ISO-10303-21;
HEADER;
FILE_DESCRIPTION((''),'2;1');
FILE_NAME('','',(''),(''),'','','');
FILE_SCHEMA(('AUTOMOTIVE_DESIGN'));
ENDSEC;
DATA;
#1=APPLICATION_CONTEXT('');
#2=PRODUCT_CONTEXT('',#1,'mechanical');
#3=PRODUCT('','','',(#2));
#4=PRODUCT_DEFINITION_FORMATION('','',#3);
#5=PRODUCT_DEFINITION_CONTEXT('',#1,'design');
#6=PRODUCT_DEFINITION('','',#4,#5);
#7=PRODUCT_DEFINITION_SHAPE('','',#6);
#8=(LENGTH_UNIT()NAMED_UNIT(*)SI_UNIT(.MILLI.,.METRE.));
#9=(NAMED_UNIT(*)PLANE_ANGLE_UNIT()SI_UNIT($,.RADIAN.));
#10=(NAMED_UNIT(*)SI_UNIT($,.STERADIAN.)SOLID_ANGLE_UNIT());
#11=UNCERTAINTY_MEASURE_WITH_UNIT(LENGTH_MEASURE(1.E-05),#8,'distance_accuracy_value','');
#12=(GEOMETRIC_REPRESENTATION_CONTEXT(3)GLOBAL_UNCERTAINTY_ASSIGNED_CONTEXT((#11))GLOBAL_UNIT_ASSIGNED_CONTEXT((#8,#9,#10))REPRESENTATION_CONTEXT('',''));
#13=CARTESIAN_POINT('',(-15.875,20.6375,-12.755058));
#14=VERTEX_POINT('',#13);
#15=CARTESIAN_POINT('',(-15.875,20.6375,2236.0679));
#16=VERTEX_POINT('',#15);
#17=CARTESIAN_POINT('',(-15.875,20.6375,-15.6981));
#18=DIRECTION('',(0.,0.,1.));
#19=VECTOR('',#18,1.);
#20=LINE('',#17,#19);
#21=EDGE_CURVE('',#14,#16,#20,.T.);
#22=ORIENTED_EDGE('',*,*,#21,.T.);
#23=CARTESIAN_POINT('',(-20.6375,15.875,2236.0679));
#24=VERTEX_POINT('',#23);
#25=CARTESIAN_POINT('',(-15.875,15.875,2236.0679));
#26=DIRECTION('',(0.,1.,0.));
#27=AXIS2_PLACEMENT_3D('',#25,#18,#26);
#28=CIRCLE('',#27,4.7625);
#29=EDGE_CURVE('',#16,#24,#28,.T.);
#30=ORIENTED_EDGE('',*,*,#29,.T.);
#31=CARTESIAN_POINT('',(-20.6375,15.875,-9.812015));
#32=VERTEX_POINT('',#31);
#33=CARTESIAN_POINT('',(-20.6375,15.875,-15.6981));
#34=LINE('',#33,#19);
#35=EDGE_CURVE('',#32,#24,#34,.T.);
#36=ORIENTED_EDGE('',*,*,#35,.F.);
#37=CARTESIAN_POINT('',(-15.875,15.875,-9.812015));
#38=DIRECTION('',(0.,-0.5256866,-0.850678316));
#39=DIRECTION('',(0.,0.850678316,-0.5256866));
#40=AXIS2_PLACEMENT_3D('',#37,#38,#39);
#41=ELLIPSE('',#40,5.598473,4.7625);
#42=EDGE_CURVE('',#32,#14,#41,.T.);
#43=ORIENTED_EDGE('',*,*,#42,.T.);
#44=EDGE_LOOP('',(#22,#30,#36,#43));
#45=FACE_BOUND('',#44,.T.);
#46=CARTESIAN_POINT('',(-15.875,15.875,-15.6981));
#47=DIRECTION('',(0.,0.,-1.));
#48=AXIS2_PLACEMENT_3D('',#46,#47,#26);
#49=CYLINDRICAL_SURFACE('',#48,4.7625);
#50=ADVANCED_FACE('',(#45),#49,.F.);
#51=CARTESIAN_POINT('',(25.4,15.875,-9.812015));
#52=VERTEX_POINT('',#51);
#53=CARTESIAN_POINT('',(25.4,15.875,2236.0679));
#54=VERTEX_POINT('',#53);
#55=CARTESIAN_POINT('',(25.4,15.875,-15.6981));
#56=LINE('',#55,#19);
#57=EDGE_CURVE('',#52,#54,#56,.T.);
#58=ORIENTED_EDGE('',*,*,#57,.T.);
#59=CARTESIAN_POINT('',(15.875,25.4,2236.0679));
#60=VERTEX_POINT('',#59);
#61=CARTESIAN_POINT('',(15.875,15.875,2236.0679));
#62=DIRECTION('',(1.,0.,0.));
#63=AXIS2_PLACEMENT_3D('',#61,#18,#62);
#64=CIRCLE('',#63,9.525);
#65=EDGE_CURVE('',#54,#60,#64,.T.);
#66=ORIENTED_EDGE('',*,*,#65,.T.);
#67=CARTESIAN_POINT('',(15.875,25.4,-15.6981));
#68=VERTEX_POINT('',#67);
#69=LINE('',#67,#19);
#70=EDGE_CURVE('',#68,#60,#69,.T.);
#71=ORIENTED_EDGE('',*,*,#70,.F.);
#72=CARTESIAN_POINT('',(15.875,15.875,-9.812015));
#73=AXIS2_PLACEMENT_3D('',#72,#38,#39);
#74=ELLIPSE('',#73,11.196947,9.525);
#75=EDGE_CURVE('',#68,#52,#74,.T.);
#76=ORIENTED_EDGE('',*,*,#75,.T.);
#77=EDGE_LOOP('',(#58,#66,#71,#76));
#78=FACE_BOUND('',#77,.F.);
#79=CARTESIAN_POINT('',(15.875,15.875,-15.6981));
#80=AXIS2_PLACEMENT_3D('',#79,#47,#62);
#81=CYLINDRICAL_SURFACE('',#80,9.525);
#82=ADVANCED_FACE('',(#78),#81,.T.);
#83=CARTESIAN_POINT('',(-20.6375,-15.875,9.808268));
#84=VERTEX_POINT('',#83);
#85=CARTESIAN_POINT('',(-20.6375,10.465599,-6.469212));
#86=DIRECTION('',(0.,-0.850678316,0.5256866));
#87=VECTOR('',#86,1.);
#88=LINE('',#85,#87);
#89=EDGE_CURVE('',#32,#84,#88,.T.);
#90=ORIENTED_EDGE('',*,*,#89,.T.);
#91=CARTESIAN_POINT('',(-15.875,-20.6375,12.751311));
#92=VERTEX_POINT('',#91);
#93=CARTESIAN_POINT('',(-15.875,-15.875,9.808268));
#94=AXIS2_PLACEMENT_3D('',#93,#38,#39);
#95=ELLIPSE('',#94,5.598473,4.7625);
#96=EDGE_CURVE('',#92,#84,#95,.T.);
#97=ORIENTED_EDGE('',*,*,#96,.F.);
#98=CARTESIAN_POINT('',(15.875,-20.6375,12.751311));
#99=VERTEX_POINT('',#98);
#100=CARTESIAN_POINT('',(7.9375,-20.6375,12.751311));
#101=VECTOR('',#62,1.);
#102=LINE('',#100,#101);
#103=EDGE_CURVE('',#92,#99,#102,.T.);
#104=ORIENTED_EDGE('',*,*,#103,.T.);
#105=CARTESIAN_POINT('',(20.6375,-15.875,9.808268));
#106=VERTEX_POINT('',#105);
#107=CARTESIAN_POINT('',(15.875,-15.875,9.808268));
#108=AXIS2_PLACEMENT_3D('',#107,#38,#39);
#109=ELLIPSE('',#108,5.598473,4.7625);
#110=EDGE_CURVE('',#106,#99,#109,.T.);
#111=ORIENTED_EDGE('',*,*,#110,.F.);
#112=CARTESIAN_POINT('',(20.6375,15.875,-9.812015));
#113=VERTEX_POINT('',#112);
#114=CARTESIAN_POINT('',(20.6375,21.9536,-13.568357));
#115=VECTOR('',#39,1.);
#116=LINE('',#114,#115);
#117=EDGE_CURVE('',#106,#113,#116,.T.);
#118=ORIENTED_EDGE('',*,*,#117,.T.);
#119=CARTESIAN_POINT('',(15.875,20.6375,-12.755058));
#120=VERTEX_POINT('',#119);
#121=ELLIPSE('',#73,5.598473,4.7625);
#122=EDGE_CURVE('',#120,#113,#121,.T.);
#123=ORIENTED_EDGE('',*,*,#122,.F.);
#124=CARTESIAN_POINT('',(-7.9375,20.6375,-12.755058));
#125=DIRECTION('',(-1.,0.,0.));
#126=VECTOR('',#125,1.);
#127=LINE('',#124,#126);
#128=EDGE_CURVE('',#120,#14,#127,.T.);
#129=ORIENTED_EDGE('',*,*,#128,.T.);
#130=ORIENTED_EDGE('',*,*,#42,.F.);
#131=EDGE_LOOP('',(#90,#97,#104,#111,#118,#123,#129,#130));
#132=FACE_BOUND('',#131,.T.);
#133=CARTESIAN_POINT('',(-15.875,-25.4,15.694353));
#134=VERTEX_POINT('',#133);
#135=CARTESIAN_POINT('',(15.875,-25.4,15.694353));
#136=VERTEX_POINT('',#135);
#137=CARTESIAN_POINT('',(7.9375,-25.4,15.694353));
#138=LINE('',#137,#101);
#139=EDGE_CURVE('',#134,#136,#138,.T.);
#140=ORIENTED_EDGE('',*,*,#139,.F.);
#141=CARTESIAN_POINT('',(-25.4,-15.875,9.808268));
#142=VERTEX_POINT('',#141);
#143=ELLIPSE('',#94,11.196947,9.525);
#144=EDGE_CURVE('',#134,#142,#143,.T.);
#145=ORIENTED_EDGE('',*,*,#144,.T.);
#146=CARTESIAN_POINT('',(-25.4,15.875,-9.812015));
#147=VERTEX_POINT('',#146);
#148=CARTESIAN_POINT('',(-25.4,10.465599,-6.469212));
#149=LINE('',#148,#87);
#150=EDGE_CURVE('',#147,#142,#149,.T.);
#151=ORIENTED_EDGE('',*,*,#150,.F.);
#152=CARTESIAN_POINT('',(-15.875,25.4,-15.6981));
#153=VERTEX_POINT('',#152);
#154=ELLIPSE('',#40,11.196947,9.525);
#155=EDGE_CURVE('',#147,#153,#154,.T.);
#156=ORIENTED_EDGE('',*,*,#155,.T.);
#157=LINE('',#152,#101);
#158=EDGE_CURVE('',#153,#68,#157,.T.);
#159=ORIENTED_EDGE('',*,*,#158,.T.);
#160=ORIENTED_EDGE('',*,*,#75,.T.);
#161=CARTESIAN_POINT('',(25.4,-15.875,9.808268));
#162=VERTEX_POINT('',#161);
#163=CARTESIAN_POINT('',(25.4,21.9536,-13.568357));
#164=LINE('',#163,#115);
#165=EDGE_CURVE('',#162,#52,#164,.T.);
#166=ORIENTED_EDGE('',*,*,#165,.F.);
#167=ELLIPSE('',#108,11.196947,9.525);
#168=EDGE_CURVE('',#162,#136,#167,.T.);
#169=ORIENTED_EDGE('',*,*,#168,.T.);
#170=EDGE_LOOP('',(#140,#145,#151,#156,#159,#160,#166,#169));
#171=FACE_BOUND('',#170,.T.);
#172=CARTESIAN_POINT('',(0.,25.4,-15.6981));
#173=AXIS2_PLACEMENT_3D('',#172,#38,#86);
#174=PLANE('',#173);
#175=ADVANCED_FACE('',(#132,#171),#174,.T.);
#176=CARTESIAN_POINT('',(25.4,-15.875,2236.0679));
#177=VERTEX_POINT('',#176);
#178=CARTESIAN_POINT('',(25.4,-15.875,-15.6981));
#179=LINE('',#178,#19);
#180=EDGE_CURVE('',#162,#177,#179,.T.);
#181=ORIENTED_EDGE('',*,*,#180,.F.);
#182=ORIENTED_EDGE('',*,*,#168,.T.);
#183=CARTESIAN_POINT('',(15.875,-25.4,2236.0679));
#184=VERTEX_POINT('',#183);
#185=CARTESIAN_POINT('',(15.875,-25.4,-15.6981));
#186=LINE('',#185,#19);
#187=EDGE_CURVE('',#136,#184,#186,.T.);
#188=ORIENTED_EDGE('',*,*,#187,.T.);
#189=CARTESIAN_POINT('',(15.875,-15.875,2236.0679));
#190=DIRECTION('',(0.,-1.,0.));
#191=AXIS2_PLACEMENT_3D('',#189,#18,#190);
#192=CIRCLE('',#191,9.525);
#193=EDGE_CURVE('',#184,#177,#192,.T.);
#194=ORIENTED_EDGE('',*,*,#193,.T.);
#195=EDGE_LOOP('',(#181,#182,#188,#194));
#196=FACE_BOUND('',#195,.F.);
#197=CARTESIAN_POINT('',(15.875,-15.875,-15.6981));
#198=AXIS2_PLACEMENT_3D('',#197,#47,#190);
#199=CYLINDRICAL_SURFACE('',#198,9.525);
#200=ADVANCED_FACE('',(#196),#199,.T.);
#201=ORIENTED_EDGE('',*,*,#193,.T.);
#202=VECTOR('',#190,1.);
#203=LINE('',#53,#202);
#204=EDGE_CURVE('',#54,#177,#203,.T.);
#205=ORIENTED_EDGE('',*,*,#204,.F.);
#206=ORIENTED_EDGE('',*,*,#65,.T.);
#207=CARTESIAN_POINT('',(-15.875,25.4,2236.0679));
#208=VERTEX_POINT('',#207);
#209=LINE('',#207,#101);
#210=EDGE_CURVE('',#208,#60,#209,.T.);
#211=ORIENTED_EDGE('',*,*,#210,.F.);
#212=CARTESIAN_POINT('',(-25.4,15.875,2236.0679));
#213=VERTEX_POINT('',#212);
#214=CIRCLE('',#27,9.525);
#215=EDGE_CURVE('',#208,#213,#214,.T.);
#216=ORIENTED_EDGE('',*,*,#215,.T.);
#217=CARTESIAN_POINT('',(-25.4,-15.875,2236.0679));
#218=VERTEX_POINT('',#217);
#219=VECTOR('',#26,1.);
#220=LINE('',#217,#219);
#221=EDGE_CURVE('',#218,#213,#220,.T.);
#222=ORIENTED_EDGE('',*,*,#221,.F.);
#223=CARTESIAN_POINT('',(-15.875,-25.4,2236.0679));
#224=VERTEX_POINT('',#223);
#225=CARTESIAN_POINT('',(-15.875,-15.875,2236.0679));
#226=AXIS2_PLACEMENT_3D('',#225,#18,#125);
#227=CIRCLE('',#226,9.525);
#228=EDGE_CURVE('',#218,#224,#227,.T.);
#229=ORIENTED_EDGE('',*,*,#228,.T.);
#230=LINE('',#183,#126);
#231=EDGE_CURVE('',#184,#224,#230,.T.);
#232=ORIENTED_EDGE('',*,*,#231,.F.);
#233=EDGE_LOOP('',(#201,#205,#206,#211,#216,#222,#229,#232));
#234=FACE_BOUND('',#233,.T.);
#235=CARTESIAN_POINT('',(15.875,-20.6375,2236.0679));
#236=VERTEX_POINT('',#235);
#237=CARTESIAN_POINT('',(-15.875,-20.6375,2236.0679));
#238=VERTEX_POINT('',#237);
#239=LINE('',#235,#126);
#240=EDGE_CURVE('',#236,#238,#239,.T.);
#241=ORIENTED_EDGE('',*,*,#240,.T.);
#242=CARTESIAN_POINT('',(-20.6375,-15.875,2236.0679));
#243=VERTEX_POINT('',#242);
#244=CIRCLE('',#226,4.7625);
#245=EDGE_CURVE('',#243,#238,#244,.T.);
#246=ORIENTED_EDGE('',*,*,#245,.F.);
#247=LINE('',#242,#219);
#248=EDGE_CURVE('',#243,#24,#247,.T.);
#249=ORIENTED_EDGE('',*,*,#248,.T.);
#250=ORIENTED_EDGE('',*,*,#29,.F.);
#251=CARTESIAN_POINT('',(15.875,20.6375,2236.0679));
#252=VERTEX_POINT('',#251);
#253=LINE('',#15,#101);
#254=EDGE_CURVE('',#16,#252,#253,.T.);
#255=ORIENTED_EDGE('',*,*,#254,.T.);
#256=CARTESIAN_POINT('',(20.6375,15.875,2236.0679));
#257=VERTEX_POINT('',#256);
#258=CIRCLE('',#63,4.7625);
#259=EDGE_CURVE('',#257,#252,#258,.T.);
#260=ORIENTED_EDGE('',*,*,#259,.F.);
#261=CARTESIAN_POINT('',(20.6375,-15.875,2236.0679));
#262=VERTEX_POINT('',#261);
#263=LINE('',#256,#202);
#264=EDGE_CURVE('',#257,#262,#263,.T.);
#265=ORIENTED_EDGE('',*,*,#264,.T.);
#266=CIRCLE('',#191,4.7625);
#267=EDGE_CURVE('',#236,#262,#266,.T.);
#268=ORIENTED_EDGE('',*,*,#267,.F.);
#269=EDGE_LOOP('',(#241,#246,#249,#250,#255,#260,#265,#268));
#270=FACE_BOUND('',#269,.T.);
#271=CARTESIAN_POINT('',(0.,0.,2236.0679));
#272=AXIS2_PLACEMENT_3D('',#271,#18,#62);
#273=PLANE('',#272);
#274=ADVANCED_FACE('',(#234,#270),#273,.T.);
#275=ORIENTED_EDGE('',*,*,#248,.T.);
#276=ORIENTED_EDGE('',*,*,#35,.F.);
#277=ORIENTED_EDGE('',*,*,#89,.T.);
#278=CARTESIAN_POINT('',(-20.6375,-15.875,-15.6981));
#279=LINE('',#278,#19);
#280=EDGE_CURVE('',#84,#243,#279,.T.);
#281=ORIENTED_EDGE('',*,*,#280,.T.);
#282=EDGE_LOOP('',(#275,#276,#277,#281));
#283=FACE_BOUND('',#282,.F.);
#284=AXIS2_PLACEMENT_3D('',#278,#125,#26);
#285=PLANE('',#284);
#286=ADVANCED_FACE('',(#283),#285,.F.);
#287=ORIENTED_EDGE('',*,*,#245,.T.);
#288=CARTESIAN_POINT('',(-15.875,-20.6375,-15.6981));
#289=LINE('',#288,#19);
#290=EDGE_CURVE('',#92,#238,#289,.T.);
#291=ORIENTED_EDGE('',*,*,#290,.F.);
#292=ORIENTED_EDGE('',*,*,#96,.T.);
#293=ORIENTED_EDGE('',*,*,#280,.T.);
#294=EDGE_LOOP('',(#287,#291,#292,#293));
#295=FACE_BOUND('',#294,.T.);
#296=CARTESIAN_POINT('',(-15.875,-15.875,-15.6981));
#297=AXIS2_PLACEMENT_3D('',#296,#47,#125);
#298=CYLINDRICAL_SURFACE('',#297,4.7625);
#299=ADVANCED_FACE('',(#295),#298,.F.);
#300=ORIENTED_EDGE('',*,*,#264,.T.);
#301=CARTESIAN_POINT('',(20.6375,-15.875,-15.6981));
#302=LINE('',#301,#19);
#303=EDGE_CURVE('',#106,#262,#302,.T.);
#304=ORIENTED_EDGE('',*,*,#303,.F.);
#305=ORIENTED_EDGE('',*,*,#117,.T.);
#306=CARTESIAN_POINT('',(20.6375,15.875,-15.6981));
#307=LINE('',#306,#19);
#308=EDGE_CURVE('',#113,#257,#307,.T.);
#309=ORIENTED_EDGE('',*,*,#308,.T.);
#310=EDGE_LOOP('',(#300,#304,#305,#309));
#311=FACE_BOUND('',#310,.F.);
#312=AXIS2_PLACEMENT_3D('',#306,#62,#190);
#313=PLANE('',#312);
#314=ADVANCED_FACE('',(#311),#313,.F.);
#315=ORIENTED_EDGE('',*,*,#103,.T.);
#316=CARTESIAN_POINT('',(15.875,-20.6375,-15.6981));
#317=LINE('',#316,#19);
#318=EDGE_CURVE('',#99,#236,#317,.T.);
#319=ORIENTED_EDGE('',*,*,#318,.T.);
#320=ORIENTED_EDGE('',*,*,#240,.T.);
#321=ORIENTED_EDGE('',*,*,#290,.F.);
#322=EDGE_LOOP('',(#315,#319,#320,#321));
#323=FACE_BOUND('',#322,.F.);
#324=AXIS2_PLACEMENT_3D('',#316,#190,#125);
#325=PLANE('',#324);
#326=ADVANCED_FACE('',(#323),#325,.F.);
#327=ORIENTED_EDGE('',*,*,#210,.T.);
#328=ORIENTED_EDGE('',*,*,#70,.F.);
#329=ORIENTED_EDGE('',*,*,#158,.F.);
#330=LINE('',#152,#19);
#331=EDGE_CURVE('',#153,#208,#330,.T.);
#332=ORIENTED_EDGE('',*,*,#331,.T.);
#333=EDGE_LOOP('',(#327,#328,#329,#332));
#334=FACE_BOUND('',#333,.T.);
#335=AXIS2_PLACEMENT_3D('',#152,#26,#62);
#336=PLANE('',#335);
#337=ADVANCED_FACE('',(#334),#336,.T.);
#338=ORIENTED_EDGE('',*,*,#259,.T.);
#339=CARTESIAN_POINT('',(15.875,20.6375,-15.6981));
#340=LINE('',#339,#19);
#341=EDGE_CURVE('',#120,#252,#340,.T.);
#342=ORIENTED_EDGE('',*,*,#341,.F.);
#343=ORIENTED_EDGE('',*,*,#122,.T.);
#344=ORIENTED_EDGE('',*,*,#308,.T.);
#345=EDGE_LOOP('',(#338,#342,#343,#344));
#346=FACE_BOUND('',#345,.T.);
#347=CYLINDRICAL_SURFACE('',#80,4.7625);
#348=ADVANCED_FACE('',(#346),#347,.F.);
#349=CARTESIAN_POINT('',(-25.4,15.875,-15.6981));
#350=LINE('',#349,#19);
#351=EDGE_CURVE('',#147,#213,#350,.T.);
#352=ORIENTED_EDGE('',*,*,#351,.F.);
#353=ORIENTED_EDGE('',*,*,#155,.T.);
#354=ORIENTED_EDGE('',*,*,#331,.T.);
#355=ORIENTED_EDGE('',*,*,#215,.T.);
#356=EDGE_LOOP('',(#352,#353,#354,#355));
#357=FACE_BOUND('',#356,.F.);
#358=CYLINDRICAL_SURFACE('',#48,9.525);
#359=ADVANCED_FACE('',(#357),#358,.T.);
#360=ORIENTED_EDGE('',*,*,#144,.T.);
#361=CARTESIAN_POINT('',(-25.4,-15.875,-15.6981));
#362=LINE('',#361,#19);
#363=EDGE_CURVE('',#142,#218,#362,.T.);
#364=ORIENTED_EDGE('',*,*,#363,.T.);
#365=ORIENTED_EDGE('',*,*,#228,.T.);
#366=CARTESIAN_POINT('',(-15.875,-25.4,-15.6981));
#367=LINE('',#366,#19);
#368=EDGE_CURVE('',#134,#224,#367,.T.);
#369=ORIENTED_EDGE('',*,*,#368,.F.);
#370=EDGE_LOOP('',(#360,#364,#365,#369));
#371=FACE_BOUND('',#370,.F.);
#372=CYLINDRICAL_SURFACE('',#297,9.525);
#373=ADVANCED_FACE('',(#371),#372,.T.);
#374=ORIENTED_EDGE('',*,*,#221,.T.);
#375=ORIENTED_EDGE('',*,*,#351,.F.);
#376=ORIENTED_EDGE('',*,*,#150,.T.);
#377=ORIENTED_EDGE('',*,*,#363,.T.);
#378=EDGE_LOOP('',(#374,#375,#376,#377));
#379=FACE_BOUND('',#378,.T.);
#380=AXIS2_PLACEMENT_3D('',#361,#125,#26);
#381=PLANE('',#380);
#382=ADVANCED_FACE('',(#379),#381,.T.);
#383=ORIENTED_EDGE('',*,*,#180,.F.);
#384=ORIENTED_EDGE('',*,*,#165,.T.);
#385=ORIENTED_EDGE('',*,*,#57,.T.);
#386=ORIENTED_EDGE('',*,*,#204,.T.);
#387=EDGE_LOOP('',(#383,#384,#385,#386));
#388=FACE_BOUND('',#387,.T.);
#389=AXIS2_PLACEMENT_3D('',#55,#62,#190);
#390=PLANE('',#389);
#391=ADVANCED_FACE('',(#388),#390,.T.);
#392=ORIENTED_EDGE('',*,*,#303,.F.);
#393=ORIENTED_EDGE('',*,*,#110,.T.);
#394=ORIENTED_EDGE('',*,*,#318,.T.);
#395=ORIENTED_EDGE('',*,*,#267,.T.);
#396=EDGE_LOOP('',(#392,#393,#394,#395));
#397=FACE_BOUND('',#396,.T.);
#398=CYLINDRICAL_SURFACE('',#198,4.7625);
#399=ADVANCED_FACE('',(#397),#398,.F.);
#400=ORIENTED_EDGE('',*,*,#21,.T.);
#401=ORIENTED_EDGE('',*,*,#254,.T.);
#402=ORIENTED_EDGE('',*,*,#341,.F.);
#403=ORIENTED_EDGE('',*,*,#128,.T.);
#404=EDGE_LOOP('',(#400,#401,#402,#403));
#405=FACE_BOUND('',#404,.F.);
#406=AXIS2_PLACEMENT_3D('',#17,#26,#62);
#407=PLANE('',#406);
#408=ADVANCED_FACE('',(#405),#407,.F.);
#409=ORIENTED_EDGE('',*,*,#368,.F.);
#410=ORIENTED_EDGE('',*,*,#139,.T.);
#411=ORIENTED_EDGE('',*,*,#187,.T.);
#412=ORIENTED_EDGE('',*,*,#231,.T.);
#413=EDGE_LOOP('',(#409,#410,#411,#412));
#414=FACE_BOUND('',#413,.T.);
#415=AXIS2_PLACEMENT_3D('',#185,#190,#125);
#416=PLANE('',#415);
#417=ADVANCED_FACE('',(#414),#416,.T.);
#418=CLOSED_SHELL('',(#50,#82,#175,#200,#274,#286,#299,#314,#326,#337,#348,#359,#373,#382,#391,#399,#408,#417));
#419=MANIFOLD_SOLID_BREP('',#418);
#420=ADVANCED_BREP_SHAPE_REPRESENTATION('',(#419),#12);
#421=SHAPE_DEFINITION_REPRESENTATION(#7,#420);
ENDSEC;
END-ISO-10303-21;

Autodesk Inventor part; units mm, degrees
ref_plane "Plano inicial" through (0, 0, -15.6981) normal (0, 0, 1) x (1, 0, 0)
ref_plane "Plano final" through (0, 0, 2236.068) normal (0, 0, 1) x (1, 0, 0)
sketch "Esboço" plane through (0, 0, 0) normal (0, 0, 1) x (1, 0, 0)
  line L0 (-25.4, -15.875) -> (-25.4, 15.875)
  line L1 (-15.875, 25.4) -> (15.875, 25.4)
  line L2 (25.4, 15.875) -> (25.4, -15.875)
  line L3 (15.875, -25.4) -> (-15.875, -25.4)
  arc A0 (-25.4, -15.875) -> (-15.875, -25.4) centre (-15.875, -15.875) ccw
  arc A1 (-15.875, 25.4) -> (-25.4, 15.875) centre (-15.875, 15.875) ccw
  arc A2 (25.4, 15.875) -> (15.875, 25.4) centre (15.875, 15.875) ccw
  arc A3 (15.875, -25.4) -> (25.4, -15.875) centre (15.875, -15.875) ccw
  arc A4 (-15.875, 20.6375) -> (-20.6375, 15.875) centre (-15.875, 15.875) ccw
  line L4 (-15.875, 20.6375) -> (15.875, 20.6375)
  arc A5 (20.6375, 15.875) -> (15.875, 20.6375) centre (15.875, 15.875) ccw
  line L5 (20.6375, 15.875) -> (20.6375, -15.875)
  arc A6 (15.875, -20.6375) -> (20.6375, -15.875) centre (15.875, -15.875) ccw
  line L6 (15.875, -20.6375) -> (-15.875, -20.6375)
  arc A7 (-20.6375, -15.875) -> (-15.875, -20.6375) centre (-15.875, -15.875) ccw
  line L7 (-20.6375, -15.875) -> (-20.6375, 15.875)
  line L8 (0, 38.3218) -> (0, -38.3218) construction
  line L9 (-38.3218, 0) -> (38.3218, 0) construction
  dimension "d10" = 50.8
  dimension "d11" = 50.8
  dimension "d12" = 4.7625
  dimension "d15" = 25.4
  dimension "d16" = 25.4
  dimension "d17" = 9.525
extrude "Corpo" add sketch "Esboço" along normal up to surface (2251.766 mm away) from surface at -15.6981
sketch "Sketch3" plane through (0, 0, 0) normal (0, 0, 1) x (1, 0, 0)
  line L0 (0, 0) -> (10, 0)
ref_plane "Work Plane3" through (0, 0, 0) normal (0, -1, 0) x (1, 0, 0)
sketch "Sketch4" plane through (0, 0, 0) normal (0, -1, 0) x (1, 0, 0)
  line L0 (-2, -15.6981) -> (12, -15.6981)
  line L1 (-2, 2236.068) -> (12, 2236.068)
  dimension "d19" = 2251.766
ref_plane "Plano de trabalho4" through (0, 25.4, -15.6981) normal (0, -0.5257, -0.8507) x (1, 0, 0)
split "Dividir1" plane through (0, 25.4, -15.6981) removes the side toward (0, -0.5257, -0.8507)
equation "\"d10\" = G_H"
equation "\"d11\" = G_W"
equation "\"d12\" = G_T"
equation "\"d15\" = 0.5 * d10"
equation "\"d16\" = 0.5 * d11"
equation "\"d17\" = G_IR"
equation "\"d3\" = G_L"
equation "\"G_W\" = 50.8"
equation "\"G_H\" = 50.8"
equation "\"G_T\" = 4.7625"
equation "\"G_IR\" = 9.525"
equation "\"G_L\" = d19"
equation "\"G_OFFSET_START\" = 15.69806"
equation "\"G_OFFSET_END\" = 0"
equation "\"d13\" = -G_OFFSET_START"
equation "\"d14\" = G_OFFSET_END + B_L"
equation "\"B_L\" = 2236.06798"
properties part number "AISC - 2 x 2 x 3/16 - 88,652" material "Aço, suave"
